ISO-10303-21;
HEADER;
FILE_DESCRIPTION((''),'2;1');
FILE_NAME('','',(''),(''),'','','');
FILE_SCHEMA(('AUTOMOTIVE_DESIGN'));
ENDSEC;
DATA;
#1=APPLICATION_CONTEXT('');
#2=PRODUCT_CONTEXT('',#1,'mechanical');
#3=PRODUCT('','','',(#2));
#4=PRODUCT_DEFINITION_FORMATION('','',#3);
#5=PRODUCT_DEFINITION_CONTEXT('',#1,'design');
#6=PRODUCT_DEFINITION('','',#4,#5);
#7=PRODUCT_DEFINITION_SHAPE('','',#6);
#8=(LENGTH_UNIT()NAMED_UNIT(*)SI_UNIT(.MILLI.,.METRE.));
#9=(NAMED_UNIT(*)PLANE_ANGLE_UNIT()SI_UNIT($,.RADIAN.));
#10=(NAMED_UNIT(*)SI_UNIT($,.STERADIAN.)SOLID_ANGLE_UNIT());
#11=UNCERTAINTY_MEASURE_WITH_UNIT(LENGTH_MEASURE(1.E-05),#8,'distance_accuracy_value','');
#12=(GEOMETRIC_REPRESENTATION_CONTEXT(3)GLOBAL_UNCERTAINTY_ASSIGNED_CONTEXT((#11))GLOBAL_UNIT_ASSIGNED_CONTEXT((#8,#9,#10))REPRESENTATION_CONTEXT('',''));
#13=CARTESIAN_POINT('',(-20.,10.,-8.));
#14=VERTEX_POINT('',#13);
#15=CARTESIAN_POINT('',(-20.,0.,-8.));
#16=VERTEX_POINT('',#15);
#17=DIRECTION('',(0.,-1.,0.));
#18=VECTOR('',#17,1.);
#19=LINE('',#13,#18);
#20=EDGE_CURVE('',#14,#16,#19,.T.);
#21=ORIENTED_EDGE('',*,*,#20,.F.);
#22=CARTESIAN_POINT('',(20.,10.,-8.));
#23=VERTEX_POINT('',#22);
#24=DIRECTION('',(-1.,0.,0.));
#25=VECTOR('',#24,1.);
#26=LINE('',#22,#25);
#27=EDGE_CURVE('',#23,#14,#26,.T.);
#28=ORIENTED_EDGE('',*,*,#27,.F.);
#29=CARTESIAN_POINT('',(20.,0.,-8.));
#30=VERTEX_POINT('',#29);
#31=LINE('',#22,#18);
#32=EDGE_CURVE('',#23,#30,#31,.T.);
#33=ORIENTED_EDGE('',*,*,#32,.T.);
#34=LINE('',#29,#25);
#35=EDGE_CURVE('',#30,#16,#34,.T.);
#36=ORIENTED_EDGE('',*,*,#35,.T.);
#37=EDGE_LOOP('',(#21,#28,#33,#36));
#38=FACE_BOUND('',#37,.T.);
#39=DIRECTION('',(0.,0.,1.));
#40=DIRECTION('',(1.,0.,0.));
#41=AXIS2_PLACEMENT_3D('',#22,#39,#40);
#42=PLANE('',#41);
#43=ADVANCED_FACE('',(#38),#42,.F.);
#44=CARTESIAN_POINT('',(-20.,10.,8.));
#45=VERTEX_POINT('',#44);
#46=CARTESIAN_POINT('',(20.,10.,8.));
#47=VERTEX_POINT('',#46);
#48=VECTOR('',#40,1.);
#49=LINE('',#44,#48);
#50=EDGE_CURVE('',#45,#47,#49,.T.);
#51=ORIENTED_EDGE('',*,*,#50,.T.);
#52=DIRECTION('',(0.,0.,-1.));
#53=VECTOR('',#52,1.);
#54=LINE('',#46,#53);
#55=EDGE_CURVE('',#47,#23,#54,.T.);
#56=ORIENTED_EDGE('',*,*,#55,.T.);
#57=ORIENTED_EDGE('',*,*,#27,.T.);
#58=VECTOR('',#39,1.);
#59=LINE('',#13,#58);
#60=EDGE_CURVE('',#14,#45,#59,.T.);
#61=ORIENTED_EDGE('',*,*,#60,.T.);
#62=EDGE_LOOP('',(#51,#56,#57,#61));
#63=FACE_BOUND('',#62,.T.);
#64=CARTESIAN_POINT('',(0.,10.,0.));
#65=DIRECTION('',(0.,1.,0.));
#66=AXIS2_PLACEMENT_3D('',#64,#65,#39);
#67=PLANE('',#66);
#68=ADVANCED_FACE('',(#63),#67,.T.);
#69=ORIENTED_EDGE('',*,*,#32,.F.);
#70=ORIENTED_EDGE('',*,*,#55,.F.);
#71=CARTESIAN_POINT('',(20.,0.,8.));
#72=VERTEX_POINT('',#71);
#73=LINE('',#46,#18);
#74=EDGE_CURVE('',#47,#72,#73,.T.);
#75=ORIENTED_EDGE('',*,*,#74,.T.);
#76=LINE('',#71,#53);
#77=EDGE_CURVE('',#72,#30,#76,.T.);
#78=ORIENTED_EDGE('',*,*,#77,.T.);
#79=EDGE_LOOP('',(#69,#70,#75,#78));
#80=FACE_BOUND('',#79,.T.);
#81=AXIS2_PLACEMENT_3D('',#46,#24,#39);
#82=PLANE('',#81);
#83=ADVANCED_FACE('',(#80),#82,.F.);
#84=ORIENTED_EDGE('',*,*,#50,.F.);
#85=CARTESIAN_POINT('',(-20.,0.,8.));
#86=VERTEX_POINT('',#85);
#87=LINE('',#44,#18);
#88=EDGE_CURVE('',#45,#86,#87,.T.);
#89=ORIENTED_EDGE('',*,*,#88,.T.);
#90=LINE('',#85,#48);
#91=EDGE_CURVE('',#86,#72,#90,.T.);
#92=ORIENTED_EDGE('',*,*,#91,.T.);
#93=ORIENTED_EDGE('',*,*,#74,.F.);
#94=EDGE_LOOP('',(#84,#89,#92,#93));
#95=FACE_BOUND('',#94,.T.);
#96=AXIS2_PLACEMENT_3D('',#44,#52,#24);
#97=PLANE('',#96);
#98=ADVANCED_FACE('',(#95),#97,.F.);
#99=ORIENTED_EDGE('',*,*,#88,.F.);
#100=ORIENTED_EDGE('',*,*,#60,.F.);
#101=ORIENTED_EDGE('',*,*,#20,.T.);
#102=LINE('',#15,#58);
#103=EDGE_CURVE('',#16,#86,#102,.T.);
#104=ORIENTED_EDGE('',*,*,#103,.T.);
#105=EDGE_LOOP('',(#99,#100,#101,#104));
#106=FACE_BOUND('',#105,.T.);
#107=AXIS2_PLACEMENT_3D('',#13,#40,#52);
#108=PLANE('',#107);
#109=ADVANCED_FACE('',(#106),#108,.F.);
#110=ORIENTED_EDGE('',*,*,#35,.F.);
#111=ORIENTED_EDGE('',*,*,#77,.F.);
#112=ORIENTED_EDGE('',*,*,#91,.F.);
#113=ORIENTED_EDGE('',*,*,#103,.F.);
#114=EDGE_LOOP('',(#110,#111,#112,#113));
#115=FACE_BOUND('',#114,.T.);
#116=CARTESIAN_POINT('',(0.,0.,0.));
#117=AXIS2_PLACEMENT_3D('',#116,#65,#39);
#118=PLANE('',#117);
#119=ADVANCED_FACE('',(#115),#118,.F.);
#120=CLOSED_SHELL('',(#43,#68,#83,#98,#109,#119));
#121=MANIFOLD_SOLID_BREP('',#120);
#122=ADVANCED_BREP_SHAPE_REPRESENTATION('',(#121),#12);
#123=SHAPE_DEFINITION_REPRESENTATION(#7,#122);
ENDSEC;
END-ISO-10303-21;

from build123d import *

# Parameters (mm, degrees)
SK_P01_YADAPTER_W  = 40
SK_P01_YADAPTER_H  = 16
P01_YADAPTER_DEPTH = 10


with BuildPart() as part:
    # SK_P01_Yadapter → P01_Yadapter (new body)
    with BuildSketch(Plane(origin=(0, 0, 0), x_dir=(1, 0, 0), z_dir=(0, 1, 0))):
        Rectangle(SK_P01_YADAPTER_W, SK_P01_YADAPTER_H)
    extrude(amount=P01_YADAPTER_DEPTH)


solid = part.part
